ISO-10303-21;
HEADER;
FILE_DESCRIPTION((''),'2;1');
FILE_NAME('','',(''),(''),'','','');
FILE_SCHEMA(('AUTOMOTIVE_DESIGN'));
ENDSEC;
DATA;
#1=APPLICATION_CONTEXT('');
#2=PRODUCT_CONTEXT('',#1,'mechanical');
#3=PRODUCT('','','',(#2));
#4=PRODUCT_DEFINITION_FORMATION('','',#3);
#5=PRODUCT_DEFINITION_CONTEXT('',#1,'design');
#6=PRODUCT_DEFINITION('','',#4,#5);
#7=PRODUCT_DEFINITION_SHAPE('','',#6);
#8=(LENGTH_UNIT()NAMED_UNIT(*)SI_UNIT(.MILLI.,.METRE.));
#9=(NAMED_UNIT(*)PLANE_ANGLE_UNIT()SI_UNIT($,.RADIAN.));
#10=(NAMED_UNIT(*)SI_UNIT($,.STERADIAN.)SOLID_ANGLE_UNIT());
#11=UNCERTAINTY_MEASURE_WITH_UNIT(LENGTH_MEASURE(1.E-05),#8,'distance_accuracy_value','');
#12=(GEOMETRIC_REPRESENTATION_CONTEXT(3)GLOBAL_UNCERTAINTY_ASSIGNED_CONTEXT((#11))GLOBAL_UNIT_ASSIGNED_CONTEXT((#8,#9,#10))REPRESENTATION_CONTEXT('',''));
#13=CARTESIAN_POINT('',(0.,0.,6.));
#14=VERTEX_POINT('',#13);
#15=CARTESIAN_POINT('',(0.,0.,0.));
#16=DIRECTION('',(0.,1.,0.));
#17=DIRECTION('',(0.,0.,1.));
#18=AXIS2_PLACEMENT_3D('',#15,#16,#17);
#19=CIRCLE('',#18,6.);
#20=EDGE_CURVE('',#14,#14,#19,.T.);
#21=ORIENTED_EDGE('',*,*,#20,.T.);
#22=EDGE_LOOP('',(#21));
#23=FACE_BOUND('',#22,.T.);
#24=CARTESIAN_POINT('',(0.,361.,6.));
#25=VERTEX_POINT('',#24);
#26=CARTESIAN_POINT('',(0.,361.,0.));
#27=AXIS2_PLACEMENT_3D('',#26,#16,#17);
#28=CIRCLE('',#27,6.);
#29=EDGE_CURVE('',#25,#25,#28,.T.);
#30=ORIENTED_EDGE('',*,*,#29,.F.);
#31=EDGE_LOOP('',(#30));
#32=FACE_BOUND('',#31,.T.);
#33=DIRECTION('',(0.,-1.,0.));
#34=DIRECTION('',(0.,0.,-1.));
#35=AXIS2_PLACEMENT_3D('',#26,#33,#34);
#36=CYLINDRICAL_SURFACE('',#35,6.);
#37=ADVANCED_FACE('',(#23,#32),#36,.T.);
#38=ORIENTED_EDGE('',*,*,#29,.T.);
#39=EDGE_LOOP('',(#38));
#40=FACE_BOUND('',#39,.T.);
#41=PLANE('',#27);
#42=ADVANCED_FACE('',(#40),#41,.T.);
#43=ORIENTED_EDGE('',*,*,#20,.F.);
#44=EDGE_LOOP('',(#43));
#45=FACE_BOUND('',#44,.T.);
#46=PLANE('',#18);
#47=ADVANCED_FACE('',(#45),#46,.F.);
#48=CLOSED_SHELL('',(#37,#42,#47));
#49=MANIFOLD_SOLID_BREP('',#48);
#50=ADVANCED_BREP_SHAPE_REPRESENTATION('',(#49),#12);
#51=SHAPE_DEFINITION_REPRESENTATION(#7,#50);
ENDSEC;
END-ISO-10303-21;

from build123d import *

# Parameters (mm, degrees)
SKETCH1_R           = 6
BOSS_EXTRUDE1_DEPTH = 361


with BuildPart() as part:
    # Sketch1 → Boss-Extrude1 (new body)
    with BuildSketch(Plane(origin=(0, 0, 0), x_dir=(1, 0, 0), z_dir=(0, 1, 0))):
        with Locations(Location((0, 0, 0), (0, 0, 270))):
            Circle(SKETCH1_R)
    extrude(amount=BOSS_EXTRUDE1_DEPTH)


solid = part.part
